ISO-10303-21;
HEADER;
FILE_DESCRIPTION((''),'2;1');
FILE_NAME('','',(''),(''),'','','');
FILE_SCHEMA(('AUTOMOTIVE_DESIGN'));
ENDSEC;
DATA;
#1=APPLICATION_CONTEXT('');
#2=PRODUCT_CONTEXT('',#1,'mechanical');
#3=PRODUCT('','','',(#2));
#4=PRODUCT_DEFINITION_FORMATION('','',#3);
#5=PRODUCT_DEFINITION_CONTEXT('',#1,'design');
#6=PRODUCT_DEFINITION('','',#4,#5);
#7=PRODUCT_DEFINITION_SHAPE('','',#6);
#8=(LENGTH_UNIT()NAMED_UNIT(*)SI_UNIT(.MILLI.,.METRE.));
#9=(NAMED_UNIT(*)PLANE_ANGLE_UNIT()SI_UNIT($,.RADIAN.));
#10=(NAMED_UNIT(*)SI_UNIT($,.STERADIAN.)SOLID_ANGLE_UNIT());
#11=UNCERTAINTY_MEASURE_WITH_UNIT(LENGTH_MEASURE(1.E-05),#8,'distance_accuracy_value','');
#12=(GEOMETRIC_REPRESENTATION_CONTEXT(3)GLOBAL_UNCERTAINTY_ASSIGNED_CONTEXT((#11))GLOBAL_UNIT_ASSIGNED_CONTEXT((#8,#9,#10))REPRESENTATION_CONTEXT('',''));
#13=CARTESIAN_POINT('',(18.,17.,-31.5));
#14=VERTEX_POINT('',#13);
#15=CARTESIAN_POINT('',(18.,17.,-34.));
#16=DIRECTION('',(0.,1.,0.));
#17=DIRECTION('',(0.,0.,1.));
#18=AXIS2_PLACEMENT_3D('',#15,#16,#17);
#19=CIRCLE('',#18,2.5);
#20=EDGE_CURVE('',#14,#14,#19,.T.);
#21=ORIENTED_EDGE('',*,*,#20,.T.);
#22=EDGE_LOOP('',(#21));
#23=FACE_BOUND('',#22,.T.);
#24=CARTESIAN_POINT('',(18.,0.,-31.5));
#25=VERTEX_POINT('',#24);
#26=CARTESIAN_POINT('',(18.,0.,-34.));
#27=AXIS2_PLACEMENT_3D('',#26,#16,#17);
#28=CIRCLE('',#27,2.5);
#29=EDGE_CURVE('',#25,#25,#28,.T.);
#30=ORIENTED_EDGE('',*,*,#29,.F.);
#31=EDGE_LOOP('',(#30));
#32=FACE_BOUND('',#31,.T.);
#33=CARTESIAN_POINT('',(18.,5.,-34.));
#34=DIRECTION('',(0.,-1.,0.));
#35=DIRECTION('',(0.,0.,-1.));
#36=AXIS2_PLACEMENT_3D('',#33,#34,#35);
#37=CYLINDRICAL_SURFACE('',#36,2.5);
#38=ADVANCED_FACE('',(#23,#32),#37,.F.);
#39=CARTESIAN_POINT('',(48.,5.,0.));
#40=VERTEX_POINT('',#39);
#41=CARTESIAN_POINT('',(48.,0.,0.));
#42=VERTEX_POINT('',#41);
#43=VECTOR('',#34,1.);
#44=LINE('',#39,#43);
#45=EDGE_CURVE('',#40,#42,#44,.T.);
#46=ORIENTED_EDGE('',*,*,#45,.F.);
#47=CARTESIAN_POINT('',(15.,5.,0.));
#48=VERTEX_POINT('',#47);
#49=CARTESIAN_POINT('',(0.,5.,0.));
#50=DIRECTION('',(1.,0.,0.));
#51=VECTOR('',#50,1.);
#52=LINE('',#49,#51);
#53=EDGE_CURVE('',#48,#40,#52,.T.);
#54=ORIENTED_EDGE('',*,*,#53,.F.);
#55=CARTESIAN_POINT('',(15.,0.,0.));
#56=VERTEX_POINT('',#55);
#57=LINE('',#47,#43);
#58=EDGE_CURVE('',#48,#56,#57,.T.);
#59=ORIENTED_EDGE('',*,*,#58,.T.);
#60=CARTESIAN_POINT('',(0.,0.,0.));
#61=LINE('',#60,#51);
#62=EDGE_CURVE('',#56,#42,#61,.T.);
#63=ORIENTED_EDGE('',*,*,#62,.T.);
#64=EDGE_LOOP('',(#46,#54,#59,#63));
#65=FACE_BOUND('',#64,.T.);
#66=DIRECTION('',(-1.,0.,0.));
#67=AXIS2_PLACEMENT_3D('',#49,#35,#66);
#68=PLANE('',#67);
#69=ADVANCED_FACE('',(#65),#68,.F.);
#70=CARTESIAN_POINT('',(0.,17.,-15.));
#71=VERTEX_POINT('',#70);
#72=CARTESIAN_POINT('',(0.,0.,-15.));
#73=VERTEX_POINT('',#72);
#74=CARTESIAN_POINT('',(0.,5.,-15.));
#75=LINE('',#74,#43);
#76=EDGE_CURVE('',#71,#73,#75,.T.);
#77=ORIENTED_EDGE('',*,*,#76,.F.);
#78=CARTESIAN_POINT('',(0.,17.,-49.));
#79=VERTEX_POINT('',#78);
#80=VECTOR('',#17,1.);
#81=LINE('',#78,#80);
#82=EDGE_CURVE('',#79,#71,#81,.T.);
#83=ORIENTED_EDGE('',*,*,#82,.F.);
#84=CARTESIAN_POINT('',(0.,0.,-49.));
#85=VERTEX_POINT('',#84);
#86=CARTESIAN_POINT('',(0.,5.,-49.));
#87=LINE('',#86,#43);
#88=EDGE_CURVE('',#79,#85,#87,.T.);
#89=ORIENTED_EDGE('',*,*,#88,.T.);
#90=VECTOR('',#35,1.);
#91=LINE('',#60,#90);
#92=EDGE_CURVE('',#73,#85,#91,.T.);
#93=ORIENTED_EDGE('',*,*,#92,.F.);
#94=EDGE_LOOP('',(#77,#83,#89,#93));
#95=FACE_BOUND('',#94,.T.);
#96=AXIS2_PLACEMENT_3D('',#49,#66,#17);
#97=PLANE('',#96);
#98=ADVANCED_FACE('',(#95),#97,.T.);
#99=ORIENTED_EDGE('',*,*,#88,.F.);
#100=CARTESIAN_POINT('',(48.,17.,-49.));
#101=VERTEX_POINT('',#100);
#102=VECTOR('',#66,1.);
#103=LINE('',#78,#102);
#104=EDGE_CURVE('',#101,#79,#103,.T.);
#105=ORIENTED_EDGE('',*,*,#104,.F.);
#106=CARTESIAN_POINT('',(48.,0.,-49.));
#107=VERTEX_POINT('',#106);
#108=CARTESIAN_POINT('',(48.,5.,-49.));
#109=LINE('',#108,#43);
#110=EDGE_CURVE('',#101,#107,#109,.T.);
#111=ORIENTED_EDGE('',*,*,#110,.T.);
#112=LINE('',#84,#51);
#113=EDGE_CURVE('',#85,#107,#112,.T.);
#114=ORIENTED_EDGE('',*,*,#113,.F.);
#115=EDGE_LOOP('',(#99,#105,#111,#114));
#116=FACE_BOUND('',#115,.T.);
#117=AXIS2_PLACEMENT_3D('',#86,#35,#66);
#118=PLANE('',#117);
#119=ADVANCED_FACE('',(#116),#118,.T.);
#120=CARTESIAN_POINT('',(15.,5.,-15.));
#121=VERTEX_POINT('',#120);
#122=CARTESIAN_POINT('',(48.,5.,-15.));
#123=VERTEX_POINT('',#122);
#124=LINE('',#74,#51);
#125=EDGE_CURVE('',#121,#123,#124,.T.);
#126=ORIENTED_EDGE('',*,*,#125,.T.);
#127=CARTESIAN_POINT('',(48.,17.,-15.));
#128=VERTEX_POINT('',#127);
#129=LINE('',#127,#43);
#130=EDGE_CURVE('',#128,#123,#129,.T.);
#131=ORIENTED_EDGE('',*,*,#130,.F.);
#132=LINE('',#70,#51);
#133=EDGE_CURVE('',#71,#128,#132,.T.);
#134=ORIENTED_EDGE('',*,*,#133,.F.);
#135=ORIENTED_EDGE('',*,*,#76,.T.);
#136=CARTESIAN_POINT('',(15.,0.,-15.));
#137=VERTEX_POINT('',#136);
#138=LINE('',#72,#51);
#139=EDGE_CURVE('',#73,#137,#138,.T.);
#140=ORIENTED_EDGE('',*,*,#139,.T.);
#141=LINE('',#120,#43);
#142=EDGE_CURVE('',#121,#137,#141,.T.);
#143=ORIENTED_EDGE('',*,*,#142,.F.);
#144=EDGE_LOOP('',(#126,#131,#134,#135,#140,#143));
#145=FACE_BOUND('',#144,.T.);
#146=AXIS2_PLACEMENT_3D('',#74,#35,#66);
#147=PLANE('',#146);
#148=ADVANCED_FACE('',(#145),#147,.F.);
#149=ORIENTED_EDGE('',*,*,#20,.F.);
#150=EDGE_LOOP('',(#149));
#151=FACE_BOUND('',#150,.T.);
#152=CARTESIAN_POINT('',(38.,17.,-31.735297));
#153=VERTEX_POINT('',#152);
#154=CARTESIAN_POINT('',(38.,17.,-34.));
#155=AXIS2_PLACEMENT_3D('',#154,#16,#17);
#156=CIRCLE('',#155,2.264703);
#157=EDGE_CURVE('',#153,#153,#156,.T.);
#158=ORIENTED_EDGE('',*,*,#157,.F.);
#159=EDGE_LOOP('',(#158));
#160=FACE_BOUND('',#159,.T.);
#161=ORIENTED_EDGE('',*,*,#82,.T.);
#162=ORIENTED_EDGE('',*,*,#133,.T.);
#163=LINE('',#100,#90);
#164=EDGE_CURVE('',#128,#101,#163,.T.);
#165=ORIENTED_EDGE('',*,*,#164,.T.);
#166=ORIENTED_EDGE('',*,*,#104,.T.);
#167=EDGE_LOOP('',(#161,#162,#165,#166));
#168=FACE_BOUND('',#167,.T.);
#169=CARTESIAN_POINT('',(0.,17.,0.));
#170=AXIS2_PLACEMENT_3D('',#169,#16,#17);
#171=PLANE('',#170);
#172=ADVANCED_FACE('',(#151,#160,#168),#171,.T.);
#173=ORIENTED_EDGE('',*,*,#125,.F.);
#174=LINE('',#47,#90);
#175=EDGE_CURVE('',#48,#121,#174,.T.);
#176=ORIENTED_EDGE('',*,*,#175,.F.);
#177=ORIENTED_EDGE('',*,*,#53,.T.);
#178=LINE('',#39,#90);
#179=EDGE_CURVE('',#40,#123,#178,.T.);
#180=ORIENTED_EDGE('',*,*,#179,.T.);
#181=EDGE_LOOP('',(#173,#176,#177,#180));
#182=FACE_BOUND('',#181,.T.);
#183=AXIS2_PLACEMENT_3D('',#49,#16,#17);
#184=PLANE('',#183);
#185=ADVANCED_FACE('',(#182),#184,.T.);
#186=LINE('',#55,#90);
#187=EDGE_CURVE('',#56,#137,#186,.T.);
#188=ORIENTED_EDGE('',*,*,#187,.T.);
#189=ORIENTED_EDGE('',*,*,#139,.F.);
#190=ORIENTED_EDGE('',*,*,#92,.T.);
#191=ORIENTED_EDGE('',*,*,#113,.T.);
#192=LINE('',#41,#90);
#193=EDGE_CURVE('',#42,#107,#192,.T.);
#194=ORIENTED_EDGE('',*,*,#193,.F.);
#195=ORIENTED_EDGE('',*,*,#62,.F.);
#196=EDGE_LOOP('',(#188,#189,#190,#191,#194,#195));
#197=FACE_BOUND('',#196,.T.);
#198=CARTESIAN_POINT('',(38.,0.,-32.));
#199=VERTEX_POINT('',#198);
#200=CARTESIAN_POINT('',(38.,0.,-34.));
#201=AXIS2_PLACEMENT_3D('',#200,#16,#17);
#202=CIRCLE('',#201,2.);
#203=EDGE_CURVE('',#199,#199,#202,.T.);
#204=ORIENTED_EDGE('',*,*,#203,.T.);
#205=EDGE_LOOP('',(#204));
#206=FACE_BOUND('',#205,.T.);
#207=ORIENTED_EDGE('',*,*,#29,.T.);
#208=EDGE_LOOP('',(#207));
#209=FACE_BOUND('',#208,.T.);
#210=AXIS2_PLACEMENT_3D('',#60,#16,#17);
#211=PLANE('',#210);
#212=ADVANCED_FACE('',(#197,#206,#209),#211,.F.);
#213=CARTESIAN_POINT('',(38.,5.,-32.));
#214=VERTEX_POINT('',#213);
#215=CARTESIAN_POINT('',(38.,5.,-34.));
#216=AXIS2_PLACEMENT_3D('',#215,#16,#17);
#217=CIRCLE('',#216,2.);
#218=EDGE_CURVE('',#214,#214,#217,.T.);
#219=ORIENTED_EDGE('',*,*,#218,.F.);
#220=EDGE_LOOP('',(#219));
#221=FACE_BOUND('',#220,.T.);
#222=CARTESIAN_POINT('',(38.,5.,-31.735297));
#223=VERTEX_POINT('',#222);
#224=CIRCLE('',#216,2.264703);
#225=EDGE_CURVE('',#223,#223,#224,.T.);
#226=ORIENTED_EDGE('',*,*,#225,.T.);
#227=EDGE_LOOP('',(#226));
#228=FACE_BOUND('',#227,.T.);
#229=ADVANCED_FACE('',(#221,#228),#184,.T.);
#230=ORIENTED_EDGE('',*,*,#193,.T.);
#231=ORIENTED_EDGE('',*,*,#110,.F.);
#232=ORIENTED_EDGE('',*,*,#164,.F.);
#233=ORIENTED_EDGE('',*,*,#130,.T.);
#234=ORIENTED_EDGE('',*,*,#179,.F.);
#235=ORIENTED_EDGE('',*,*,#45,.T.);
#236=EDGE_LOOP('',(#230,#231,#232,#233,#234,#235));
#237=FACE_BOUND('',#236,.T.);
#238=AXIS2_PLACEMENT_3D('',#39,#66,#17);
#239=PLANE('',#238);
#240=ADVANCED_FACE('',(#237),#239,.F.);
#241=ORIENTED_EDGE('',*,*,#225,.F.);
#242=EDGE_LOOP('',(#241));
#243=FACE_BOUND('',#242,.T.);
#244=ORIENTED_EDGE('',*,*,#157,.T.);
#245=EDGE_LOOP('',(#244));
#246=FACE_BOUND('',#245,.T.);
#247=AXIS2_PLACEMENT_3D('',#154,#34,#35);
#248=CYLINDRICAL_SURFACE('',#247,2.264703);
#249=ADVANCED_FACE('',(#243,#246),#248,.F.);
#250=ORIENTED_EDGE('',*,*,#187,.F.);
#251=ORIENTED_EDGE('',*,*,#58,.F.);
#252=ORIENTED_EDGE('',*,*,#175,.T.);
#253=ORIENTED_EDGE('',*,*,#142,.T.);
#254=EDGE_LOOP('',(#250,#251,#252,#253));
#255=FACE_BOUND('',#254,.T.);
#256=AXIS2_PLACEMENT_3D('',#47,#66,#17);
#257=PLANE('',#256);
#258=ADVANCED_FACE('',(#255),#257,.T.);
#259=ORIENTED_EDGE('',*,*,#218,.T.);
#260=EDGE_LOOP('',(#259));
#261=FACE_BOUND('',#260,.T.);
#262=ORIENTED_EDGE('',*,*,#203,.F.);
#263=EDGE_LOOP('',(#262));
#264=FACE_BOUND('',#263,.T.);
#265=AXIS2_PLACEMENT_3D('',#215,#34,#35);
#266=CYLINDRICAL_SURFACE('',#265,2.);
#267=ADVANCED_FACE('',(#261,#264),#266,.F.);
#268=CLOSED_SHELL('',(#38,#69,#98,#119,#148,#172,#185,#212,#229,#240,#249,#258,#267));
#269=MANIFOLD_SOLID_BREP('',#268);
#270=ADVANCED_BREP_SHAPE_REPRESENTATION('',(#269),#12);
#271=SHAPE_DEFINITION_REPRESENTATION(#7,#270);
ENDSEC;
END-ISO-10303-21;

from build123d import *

# Parameters (mm, degrees)
SKETCH1_R           = 2.5
SKETCH1_R_2         = 2
BOSS_EXTRUDE1_DEPTH = 5
SKETCH2_W           = 48
SKETCH2_H           = 34
SKETCH2_R           = 2.5
SKETCH2_R_2         = 2.264702838
BOSS_EXTRUDE2_DEPTH = 12


with BuildPart() as part:
    # Sketch1 → Boss-Extrude1 (new body)
    with BuildSketch(Plane(origin=(0, 0, 0), x_dir=(1, 0, 0), z_dir=(0, 1, 0))):
        Polygon((15, 15), (15, 0), (48, 0), (48, 49), (0, 49), (0, 15), align=None)
        with Locations((18, 34)):
            Circle(SKETCH1_R, mode=Mode.SUBTRACT)
        with Locations((38, 34)):
            Circle(SKETCH1_R_2, mode=Mode.SUBTRACT)
    extrude(amount=BOSS_EXTRUDE1_DEPTH)

    # Sketch2 → Boss-Extrude2 (add)
    with BuildSketch(Plane(origin=(0, 5, 0), x_dir=(1, 0, 0), z_dir=(0, 1, 0))):
        with Locations((24, 32)):
            Rectangle(SKETCH2_W, SKETCH2_H)
        with Locations((18, 34)):
            Circle(SKETCH2_R, mode=Mode.SUBTRACT)
        with Locations((38, 34)):
            Circle(SKETCH2_R_2, mode=Mode.SUBTRACT)
    extrude(amount=BOSS_EXTRUDE2_DEPTH)


solid = part.part
